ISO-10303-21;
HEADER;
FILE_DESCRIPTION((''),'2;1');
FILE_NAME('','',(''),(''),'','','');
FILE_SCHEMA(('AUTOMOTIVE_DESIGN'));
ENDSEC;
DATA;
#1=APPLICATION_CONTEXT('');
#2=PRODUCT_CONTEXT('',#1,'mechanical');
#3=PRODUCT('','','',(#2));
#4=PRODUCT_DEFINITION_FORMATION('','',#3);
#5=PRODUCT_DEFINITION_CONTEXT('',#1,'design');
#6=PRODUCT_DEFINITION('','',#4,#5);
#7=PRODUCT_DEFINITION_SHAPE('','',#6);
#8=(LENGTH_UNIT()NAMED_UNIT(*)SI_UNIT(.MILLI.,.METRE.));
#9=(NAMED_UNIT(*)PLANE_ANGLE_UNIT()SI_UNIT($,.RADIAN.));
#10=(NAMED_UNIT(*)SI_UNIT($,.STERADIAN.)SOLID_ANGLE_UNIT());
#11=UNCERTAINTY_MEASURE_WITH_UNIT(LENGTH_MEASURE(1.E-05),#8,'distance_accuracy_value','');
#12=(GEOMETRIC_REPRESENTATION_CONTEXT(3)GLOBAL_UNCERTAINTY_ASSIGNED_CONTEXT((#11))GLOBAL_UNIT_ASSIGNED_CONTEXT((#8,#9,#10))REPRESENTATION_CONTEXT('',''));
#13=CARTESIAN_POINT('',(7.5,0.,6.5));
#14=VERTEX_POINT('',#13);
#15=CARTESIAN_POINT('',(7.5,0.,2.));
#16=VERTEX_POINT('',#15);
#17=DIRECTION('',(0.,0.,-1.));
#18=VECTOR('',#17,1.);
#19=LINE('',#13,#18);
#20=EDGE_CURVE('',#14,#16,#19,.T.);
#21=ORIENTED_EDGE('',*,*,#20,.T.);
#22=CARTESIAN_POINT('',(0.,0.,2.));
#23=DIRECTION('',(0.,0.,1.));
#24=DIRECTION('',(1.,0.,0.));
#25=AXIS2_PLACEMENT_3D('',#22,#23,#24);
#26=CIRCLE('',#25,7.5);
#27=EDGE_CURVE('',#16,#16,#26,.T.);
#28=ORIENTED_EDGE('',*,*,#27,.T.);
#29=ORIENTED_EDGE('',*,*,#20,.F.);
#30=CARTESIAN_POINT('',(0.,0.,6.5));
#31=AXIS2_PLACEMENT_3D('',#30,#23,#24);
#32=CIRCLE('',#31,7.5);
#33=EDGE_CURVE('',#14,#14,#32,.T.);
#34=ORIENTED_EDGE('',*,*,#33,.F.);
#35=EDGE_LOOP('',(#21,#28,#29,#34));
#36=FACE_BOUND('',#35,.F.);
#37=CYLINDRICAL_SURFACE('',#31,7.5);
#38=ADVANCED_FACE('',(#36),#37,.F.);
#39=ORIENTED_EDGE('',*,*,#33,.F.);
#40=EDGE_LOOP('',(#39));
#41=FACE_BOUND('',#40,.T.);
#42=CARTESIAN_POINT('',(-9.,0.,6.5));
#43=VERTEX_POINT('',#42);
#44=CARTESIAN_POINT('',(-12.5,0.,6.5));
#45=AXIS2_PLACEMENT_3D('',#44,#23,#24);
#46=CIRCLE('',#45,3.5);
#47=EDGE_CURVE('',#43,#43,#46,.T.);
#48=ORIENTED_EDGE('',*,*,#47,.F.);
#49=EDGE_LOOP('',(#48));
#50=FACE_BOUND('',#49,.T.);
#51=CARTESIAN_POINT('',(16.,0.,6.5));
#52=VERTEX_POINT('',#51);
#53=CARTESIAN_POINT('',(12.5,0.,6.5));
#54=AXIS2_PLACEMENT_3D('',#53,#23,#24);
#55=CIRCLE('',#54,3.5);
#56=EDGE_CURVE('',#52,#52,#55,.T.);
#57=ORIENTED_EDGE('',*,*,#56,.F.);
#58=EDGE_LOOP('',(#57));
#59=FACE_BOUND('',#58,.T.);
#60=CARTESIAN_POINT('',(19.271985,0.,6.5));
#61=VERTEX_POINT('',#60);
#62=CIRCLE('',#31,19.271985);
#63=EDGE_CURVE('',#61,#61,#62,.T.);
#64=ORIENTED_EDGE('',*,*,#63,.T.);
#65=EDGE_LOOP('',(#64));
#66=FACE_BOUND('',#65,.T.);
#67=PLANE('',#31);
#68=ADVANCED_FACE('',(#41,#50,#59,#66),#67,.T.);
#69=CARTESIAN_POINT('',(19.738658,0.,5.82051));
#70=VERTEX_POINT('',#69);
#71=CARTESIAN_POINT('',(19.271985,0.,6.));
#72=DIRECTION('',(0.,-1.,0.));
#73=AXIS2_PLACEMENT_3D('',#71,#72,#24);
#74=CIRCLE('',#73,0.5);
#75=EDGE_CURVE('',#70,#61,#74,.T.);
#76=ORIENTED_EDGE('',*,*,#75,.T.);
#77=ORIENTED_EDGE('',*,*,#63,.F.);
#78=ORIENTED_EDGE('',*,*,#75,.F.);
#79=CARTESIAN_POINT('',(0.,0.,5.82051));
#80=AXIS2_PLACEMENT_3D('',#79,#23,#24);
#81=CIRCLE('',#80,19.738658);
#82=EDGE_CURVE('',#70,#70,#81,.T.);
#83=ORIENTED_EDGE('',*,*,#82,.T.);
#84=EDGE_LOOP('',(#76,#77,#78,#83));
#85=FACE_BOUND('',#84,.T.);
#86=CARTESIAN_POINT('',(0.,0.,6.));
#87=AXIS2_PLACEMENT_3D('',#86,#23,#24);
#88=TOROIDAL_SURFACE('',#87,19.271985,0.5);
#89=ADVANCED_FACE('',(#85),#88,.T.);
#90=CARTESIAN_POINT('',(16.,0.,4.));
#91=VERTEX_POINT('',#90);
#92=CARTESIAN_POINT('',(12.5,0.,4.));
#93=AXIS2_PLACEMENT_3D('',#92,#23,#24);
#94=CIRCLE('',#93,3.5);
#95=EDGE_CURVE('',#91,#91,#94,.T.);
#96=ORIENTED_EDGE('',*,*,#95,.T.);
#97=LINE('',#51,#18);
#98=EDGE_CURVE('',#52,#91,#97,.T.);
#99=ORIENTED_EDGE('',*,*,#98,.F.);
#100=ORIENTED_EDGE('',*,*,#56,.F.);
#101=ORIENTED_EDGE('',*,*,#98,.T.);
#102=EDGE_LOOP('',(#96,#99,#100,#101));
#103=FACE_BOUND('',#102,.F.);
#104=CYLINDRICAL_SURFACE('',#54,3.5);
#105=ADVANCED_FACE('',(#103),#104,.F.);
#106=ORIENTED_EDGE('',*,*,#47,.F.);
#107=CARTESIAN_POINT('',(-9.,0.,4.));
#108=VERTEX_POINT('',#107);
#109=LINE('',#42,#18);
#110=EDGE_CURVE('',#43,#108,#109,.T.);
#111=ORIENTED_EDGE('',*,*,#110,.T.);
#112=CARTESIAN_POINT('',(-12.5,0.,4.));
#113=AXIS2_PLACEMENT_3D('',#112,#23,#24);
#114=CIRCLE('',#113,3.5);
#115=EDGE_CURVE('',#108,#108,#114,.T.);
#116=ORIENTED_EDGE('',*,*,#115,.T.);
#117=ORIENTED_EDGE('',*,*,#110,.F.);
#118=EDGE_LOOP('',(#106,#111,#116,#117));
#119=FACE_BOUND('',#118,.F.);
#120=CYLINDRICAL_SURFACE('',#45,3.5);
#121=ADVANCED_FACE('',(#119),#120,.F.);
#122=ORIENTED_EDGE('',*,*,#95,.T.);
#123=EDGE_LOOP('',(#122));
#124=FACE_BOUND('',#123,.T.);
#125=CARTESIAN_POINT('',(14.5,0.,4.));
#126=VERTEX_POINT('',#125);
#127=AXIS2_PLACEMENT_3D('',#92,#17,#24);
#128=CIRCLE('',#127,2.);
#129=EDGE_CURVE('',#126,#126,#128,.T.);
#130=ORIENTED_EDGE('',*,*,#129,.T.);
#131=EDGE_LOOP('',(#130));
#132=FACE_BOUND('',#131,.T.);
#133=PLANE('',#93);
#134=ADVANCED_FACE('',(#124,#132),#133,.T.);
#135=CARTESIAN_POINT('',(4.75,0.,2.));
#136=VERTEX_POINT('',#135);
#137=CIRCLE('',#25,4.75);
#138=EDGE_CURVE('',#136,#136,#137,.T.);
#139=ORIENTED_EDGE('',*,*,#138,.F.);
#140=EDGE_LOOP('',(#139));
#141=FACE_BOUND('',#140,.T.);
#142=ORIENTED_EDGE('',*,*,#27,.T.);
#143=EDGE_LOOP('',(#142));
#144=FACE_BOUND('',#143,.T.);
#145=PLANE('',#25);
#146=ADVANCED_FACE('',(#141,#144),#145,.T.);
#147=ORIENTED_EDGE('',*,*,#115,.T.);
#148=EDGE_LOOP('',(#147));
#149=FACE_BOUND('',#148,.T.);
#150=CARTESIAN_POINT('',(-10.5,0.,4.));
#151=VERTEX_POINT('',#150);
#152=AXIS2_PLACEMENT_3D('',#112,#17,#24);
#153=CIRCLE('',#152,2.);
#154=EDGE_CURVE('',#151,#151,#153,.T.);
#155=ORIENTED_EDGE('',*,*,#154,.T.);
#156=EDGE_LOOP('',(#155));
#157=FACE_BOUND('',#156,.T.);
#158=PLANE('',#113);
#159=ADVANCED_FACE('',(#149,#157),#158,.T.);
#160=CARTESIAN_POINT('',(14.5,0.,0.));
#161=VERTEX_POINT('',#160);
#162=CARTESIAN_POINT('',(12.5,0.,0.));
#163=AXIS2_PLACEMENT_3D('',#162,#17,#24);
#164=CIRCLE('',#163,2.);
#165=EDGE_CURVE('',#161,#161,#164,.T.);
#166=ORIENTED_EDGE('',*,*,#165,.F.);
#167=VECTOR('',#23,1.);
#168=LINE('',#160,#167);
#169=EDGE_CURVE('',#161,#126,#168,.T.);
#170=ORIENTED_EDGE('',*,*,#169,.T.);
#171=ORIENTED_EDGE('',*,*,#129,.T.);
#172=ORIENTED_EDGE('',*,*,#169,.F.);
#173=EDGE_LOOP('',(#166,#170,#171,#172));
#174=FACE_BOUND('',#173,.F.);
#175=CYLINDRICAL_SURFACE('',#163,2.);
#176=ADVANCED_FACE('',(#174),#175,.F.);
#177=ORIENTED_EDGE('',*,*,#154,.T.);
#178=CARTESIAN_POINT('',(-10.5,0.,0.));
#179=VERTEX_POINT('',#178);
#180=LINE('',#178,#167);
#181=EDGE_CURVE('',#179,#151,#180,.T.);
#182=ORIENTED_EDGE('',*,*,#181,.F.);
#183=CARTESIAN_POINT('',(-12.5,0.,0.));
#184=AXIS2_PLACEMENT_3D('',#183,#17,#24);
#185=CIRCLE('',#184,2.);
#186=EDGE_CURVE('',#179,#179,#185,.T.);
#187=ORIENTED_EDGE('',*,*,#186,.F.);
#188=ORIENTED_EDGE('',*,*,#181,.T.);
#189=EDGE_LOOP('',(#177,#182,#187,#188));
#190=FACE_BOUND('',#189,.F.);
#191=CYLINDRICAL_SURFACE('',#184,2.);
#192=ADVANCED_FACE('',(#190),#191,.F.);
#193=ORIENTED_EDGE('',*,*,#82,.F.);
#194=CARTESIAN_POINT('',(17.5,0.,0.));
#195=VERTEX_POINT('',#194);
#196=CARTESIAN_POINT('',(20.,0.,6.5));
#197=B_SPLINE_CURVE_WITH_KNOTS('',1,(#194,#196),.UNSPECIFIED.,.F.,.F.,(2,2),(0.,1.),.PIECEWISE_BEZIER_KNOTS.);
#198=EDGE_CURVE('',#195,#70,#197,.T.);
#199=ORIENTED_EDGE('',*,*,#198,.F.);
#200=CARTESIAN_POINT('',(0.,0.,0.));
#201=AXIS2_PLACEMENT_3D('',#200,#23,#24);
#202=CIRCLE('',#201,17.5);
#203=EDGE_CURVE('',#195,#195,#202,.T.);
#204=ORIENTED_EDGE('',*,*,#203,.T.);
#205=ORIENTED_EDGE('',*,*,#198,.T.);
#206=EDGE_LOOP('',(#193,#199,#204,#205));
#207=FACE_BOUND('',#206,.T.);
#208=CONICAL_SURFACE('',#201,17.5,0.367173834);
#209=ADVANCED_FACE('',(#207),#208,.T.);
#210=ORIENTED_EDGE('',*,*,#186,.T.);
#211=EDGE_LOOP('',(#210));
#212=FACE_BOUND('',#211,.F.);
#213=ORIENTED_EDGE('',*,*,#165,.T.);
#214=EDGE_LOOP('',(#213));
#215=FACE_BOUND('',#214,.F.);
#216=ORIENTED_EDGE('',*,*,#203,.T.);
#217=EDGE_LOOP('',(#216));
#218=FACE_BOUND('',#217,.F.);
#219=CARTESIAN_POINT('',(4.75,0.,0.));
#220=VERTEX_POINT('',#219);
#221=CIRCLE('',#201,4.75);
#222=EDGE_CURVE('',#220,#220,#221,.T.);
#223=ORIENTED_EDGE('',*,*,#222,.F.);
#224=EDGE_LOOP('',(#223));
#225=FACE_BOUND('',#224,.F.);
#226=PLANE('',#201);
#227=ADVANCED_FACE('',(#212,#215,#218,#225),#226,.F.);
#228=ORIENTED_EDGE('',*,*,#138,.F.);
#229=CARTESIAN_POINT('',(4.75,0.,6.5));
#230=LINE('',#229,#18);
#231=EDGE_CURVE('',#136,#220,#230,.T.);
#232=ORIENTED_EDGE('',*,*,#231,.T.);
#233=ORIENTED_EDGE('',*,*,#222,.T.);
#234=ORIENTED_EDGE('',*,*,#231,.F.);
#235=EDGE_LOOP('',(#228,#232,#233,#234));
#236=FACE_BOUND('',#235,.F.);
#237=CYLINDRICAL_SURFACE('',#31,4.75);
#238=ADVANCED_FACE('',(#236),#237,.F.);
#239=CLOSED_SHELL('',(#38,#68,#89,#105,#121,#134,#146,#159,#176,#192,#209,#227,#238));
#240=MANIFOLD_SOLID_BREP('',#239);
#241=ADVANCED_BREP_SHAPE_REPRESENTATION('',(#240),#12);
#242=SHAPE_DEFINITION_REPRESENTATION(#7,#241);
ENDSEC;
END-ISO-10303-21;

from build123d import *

# Parameters (mm, degrees)
SKETCH_R        = 17.5
SKETCH001_R     = 20
SKETCH002_R     = 4.75
POCKET_DEPTH    = 6.501
SKETCH003_R     = 2
POCKET001_DEPTH = 6.501
SKETCH004_R     = 3.5
POCKET002_DEPTH = 2.5
FILLET_R        = 0.5
SKETCH005_R     = 7.5
POCKET003_DEPTH = 4.5


with BuildPart() as part:
    # Sketch (on XY_Plane of Origin) → AdditiveLoft section 0
    with BuildSketch(Plane.XY):
        Circle(SKETCH_R)
    # Sketch001 (on Sketch) → AdditiveLoft section 1
    with BuildSketch(Plane.XY.offset(6.5)):
        Circle(SKETCH001_R)
    loft()

    # Sketch002 (on Face3 of AdditiveLoft) → Pocket (cut, through all)
    with BuildSketch(Plane.XY.offset(6.5)):
        Circle(SKETCH002_R)
    extrude(amount=-POCKET_DEPTH, mode=Mode.SUBTRACT)

    # Sketch003 (on Face1 of Pocket) → Pocket001 (cut, through all)
    with BuildSketch(Plane(origin=(0, 0, 0), x_dir=(1, 0, 0), z_dir=(0, 0, -1))):
        with Locations((-12.5, 0)):
            Circle(SKETCH003_R)
        with Locations((12.5, 0)):
            Circle(SKETCH003_R)
    extrude(amount=-POCKET001_DEPTH, mode=Mode.SUBTRACT)

    # Sketch004 (on Face6 of Pocket001) → Pocket002 (cut)
    with BuildSketch(Plane.XY.offset(6.5)):
        with Locations((-12.5, 0)):
            Circle(SKETCH004_R)
        with Locations((12.5, 0)):
            Circle(SKETCH004_R)
    extrude(amount=-POCKET002_DEPTH, mode=Mode.SUBTRACT)

    # Fillet
    fillet_edges = [part.edges().sort_by_distance(p)[0] for p in [
        (-20, 0, 6.5),
    ]]
    fillet(fillet_edges, radius=FILLET_R)

    # Sketch005 (on Face4 of Fillet) → Pocket003 (cut)
    with BuildSketch(Plane.XY.offset(6.5)):
        Circle(SKETCH005_R)
    extrude(amount=-POCKET003_DEPTH, mode=Mode.SUBTRACT)


solid = part.part
